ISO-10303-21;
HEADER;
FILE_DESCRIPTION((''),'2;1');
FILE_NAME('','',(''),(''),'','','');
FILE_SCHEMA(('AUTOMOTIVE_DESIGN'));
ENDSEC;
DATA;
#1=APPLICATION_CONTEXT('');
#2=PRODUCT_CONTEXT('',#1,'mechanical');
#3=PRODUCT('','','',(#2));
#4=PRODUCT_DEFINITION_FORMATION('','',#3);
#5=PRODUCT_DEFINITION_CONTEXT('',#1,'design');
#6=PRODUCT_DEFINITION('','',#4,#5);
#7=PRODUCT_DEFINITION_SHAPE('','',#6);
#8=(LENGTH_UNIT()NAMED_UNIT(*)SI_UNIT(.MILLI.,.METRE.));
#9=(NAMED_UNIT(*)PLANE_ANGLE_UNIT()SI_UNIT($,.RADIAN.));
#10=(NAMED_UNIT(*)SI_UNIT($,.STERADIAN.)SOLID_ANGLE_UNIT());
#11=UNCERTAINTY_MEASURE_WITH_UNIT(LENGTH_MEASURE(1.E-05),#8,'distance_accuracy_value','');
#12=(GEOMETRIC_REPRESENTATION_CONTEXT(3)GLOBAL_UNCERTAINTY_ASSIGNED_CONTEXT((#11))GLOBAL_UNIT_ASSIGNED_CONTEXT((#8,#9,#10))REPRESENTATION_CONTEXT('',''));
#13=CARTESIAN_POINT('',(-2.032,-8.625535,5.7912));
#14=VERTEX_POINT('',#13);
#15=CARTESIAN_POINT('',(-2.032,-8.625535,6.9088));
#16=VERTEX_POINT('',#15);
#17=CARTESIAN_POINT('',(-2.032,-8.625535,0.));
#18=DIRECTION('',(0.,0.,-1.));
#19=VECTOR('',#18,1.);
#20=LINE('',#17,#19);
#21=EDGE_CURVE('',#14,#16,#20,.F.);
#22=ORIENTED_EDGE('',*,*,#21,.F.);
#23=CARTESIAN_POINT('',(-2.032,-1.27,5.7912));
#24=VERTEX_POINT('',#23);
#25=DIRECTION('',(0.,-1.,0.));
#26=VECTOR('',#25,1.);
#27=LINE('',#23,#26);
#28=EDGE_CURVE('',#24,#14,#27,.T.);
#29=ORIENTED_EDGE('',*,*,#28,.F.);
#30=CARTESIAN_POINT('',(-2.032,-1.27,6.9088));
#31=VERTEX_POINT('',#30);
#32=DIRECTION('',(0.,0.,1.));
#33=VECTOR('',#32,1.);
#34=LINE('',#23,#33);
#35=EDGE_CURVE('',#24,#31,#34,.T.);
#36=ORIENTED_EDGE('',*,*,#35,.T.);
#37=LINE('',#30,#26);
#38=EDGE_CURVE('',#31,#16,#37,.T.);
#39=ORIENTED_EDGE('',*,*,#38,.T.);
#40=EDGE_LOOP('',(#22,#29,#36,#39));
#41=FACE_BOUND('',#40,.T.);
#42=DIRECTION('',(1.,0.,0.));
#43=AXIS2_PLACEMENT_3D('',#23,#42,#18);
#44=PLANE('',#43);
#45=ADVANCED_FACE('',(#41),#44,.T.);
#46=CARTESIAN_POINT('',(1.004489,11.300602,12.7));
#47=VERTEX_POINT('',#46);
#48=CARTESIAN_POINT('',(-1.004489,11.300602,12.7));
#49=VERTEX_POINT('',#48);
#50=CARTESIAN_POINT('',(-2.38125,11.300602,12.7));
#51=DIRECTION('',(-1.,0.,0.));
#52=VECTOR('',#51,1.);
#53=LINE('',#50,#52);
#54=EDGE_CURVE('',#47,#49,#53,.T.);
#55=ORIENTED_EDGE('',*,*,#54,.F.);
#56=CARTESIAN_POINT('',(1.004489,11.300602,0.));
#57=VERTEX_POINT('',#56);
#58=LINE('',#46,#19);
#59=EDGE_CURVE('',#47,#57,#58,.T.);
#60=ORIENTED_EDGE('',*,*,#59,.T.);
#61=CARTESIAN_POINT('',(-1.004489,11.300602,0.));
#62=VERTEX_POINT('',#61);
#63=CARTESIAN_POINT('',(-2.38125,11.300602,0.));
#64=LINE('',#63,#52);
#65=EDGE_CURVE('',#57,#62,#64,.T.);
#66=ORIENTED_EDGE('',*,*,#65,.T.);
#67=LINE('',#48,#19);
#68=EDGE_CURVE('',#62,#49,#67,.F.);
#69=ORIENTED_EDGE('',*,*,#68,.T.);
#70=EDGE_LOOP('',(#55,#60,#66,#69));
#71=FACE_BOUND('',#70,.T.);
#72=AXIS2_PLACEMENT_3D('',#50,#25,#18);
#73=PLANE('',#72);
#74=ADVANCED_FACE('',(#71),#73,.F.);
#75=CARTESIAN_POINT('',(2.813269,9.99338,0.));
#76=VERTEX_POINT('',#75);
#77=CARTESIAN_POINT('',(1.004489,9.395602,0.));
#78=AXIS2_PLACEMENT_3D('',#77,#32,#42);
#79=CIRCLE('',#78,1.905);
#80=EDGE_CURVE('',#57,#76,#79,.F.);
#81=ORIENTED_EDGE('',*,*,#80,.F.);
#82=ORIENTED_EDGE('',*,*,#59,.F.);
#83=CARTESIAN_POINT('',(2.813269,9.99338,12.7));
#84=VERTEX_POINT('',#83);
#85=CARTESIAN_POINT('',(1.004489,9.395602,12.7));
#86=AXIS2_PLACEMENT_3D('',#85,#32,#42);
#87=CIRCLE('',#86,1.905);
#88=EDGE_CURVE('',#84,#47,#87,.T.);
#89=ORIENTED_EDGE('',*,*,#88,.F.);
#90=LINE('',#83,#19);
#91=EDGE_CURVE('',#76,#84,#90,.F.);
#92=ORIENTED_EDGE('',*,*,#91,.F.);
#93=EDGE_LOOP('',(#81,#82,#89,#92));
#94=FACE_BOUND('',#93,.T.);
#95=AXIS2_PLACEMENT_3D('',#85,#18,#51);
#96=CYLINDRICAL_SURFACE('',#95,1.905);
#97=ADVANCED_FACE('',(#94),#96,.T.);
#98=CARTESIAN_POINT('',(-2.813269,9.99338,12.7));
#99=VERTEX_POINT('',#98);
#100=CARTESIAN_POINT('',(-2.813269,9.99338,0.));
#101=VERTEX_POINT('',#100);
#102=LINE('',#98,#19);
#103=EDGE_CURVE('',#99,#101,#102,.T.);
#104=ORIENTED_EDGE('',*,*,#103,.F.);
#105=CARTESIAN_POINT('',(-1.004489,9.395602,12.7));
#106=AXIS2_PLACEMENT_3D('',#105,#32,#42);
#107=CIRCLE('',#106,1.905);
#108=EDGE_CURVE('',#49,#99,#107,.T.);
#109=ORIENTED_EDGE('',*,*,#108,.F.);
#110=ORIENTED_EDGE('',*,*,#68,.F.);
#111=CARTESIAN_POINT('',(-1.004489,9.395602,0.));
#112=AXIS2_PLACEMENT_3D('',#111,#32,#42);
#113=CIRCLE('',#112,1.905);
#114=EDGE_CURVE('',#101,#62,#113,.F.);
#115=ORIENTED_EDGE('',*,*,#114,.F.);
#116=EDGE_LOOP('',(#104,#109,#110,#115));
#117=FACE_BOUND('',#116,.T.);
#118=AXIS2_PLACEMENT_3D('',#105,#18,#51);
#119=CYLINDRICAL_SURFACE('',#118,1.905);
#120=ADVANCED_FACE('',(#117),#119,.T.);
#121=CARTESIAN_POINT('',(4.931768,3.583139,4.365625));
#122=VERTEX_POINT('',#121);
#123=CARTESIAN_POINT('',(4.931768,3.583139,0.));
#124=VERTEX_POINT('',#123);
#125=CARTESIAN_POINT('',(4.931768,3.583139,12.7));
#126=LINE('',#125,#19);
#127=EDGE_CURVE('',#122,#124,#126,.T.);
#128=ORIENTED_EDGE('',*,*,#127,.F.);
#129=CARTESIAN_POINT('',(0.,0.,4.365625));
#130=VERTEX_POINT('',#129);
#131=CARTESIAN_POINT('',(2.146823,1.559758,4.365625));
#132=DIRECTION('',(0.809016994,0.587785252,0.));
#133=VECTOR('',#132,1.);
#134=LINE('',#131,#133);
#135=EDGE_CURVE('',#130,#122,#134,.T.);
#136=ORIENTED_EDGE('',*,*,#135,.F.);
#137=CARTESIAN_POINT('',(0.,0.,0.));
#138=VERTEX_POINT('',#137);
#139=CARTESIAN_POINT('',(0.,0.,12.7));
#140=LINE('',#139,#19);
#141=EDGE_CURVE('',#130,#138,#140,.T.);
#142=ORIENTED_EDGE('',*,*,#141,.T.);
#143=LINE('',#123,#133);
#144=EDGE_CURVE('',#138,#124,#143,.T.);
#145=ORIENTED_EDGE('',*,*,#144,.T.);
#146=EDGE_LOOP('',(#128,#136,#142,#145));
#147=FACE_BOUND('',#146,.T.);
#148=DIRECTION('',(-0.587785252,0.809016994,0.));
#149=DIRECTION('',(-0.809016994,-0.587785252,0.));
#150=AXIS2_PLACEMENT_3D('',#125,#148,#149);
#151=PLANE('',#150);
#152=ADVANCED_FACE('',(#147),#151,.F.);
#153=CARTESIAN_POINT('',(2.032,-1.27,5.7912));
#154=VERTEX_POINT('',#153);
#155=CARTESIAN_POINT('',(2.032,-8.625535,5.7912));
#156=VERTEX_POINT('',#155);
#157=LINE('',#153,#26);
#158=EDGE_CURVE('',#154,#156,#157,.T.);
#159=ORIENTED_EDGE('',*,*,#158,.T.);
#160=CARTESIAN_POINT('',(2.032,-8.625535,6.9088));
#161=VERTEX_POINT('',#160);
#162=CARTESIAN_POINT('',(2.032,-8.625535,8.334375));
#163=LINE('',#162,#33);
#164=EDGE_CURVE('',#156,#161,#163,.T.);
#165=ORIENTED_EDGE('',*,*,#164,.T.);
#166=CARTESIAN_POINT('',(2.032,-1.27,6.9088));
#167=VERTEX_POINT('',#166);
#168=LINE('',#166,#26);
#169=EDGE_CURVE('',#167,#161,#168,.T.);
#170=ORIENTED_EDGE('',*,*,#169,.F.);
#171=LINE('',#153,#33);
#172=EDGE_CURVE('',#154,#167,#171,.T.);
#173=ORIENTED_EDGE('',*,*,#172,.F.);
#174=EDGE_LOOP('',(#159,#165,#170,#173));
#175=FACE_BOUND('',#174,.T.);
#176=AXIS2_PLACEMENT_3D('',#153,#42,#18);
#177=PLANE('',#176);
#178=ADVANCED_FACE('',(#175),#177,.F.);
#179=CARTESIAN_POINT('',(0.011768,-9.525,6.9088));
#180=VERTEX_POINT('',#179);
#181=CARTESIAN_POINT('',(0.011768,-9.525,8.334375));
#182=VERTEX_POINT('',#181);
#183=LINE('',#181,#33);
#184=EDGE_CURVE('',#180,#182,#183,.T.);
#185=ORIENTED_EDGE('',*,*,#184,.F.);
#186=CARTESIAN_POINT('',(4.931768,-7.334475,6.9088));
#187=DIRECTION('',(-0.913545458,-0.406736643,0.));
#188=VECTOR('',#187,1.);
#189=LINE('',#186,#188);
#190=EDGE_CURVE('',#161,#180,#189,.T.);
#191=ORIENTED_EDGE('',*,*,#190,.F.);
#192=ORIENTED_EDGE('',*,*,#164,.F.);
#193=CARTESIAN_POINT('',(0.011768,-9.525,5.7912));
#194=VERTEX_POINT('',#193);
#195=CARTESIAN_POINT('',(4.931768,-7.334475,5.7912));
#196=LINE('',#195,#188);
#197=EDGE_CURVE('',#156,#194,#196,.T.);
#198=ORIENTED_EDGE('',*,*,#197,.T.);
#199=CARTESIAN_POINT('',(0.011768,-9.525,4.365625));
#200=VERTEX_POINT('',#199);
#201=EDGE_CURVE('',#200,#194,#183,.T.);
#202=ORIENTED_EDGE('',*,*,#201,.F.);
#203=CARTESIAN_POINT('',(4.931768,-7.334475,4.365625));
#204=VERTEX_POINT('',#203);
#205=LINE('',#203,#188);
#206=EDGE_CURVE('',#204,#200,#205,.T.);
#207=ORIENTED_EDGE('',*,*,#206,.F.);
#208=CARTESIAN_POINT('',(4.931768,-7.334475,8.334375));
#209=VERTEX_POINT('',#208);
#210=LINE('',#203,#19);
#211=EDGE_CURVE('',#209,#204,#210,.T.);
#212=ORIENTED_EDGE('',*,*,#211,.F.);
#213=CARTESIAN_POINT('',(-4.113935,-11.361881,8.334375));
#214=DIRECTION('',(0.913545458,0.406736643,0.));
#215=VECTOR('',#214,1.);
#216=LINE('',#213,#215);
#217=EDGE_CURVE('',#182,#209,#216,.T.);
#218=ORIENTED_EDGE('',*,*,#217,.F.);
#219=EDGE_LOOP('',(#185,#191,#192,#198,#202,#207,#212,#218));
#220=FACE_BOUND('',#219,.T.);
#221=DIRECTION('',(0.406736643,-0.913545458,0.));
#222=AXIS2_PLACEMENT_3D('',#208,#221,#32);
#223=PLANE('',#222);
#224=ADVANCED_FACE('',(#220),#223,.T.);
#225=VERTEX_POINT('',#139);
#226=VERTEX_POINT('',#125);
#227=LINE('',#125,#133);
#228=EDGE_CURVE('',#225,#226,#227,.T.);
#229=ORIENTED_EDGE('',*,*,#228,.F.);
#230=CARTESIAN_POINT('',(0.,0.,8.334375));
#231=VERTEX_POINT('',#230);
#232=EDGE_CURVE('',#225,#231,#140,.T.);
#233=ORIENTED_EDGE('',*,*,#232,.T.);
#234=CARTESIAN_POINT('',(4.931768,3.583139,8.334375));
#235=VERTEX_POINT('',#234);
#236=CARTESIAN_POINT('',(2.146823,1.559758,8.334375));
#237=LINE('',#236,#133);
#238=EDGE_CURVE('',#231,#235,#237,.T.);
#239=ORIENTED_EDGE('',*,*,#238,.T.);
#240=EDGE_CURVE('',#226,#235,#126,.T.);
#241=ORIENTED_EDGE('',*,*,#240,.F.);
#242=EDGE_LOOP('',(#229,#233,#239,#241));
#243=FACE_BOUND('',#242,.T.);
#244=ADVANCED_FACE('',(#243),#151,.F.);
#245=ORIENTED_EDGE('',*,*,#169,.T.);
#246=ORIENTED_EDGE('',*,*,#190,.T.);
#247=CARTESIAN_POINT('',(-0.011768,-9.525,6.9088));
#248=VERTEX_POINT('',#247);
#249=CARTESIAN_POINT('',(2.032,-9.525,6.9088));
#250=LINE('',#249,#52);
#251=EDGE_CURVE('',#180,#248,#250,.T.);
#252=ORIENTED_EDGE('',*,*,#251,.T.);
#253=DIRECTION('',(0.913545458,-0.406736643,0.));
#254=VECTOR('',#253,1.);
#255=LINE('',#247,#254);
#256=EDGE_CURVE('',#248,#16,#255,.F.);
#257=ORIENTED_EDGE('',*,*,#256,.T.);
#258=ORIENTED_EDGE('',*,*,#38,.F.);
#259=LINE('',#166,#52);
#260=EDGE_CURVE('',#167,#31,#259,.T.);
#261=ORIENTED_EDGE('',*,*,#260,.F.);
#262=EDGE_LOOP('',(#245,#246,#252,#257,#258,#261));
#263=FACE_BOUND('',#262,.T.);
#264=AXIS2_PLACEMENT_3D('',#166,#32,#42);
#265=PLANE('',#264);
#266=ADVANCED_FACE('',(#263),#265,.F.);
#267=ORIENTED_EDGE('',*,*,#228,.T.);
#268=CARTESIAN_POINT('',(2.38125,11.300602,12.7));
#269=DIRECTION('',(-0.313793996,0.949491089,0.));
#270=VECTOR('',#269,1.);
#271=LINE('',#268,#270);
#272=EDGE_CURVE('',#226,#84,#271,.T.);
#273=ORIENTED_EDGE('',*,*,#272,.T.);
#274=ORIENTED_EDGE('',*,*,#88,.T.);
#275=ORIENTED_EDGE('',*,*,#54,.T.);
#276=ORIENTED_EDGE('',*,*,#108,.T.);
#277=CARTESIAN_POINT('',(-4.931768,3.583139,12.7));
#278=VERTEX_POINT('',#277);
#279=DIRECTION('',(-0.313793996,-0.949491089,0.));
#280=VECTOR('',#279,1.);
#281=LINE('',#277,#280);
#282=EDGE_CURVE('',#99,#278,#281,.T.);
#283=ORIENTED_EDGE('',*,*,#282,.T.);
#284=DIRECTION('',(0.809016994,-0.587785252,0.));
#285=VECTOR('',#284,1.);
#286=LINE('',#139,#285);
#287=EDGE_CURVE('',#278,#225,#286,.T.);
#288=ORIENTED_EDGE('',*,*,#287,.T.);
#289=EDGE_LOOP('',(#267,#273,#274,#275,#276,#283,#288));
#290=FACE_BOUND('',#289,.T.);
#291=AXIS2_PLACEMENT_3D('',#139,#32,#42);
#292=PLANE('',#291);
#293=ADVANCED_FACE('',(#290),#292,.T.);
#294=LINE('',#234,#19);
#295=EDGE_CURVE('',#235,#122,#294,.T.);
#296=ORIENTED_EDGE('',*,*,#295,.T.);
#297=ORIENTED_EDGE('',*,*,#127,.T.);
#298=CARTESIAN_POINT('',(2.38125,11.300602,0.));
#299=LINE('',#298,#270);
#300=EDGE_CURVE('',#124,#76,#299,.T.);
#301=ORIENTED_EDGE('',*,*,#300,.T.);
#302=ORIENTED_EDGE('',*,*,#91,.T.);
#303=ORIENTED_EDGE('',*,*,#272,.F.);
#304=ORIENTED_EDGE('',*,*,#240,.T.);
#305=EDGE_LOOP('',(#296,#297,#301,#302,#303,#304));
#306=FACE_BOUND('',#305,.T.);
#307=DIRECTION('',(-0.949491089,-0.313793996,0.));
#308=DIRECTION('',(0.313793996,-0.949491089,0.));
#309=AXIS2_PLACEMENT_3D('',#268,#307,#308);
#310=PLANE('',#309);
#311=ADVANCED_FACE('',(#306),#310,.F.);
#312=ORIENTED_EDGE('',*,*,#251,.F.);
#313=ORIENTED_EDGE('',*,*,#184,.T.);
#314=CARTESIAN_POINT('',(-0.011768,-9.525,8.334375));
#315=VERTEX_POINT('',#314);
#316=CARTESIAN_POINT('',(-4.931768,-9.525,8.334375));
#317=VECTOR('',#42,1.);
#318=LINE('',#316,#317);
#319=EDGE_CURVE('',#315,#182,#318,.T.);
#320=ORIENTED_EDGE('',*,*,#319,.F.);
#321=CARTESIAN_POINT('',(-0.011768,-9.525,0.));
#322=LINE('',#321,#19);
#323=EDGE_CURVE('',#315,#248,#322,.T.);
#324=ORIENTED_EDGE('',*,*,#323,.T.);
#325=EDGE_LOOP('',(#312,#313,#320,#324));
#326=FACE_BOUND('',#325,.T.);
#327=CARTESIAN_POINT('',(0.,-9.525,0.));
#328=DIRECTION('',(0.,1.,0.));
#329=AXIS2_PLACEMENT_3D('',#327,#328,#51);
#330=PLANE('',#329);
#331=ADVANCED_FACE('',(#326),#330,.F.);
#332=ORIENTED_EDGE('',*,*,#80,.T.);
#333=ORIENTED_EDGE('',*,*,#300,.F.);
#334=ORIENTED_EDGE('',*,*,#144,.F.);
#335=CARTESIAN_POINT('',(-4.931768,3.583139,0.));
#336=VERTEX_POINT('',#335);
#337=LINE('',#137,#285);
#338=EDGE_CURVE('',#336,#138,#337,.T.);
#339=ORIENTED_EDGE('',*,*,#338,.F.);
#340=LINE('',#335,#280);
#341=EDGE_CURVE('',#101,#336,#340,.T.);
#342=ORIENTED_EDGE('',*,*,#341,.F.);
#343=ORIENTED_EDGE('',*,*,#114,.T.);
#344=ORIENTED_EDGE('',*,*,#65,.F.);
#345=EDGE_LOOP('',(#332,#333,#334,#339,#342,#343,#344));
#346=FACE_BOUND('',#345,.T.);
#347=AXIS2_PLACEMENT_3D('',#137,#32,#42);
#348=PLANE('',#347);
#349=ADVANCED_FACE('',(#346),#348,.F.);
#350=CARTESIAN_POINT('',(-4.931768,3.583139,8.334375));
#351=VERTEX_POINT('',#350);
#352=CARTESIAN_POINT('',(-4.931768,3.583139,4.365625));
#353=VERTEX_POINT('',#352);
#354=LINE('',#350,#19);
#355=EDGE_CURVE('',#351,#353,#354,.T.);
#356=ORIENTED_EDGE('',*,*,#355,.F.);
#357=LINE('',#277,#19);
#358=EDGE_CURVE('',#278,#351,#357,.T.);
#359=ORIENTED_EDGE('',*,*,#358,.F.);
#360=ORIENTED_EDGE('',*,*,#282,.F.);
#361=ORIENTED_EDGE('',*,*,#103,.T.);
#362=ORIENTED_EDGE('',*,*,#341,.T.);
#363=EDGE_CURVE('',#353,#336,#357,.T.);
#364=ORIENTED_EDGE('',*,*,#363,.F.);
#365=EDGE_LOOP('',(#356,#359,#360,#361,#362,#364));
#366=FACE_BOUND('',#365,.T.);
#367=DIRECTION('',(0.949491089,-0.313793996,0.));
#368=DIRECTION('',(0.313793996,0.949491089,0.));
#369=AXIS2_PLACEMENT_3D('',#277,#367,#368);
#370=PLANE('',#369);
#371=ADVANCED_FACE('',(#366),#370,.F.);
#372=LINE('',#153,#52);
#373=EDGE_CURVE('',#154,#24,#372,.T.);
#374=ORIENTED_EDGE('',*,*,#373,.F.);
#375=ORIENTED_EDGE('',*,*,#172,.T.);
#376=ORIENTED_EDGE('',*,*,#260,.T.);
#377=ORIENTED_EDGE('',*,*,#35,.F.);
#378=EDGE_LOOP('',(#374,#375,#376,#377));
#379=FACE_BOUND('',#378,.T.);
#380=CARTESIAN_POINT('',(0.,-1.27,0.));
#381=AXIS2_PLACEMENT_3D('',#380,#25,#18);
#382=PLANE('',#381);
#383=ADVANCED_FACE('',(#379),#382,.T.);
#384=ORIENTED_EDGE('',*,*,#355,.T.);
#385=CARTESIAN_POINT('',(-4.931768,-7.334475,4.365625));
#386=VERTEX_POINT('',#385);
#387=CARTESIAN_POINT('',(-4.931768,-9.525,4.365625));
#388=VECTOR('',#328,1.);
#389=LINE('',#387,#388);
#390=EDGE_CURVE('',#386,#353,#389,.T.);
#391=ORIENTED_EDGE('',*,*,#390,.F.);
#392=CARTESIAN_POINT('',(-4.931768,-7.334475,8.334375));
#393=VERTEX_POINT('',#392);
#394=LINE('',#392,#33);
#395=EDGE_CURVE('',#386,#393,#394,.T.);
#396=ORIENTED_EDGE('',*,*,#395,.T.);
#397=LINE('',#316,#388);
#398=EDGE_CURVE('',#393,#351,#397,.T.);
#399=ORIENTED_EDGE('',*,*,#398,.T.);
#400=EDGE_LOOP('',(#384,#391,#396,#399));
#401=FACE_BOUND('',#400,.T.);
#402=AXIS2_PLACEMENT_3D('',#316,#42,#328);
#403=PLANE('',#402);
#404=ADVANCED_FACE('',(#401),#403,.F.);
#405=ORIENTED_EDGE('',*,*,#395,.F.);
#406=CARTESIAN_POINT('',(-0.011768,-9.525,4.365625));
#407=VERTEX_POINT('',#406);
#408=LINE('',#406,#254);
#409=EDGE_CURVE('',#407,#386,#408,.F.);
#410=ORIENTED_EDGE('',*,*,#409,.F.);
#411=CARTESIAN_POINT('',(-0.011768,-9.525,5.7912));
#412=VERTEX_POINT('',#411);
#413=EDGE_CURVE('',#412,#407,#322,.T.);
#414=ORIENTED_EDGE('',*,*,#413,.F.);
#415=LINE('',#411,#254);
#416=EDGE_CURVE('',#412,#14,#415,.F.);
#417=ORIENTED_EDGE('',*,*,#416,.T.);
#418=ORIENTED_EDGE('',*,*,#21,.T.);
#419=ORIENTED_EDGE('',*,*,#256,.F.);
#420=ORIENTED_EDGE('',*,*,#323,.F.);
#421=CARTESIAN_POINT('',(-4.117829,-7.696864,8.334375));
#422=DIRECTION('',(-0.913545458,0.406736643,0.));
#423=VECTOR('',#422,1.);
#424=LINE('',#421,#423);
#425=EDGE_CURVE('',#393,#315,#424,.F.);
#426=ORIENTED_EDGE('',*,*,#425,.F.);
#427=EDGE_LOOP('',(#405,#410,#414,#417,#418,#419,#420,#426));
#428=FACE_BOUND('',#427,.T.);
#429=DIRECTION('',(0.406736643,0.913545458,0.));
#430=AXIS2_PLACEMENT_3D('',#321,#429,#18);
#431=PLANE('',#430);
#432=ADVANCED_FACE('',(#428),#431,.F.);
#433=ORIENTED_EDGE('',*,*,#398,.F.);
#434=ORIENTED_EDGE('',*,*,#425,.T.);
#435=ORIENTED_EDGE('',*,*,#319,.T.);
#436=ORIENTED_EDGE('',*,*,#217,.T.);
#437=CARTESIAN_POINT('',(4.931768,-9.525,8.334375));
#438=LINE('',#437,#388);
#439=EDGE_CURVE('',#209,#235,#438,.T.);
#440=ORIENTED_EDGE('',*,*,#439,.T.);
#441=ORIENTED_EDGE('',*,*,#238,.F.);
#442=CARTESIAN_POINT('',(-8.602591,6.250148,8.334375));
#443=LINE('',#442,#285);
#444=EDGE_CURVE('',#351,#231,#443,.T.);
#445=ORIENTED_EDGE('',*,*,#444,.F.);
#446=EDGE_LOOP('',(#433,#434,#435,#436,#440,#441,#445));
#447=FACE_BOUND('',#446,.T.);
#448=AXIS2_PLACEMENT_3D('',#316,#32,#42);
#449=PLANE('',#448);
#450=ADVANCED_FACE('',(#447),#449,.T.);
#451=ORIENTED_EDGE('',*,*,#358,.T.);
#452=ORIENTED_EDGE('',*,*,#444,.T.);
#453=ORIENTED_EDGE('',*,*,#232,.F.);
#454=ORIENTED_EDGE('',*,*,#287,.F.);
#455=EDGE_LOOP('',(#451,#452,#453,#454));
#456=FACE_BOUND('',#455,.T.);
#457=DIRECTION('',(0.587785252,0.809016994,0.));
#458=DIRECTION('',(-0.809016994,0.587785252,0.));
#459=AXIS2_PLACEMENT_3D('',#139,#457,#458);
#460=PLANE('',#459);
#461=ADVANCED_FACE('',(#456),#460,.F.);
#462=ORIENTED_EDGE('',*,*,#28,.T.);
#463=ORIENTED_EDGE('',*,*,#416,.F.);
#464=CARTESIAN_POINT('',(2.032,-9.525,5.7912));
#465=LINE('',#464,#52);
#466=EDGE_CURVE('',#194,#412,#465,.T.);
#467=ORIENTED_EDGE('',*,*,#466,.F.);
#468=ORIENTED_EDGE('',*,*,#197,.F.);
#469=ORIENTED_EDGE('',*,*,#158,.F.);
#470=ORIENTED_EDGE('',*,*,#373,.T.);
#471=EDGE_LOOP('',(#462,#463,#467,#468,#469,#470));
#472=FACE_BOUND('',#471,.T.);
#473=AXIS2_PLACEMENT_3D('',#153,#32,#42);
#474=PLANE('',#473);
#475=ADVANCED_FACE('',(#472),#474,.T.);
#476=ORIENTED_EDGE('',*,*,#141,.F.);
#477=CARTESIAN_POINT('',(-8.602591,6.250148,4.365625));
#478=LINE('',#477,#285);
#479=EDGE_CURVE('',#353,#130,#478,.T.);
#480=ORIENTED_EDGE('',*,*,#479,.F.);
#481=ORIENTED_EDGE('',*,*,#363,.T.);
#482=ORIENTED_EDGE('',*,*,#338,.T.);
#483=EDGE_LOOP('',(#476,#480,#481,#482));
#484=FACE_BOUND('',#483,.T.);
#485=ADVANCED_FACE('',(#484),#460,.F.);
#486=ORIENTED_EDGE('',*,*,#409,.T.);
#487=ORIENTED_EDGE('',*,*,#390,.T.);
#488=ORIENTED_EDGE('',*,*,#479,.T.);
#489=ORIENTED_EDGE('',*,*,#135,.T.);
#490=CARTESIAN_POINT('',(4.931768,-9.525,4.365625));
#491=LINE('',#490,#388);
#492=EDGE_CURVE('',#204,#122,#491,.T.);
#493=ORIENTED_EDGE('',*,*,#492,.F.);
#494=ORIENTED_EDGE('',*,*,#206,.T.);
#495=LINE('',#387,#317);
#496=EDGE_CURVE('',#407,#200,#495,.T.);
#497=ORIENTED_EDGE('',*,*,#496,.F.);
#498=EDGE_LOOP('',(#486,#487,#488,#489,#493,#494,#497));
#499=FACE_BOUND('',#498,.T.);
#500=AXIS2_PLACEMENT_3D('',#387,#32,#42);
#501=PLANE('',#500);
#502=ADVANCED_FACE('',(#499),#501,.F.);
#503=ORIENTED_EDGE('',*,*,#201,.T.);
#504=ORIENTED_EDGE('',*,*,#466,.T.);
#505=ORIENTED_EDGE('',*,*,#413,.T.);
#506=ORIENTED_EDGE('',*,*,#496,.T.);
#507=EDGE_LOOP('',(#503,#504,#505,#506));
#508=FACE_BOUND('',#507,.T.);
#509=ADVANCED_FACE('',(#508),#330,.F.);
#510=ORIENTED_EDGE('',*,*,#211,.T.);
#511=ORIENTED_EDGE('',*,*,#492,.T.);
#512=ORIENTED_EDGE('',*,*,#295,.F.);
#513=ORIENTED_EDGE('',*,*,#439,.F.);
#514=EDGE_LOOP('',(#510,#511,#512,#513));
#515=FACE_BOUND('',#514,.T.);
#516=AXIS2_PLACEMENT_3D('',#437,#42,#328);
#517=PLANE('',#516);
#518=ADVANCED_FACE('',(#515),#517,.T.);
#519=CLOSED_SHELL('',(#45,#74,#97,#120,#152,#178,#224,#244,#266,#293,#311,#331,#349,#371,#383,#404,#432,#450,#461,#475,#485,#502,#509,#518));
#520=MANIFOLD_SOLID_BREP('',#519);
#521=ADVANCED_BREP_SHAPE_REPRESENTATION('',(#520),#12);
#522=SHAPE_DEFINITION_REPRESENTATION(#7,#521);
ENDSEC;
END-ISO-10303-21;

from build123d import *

# Parameters (mm, degrees)
BOSS_EXTRUDE1_DEPTH = 12.7
BOSS_EXTRUDE2_START = -3.583139
SKETCH3_W           = 9.863535196
SKETCH3_H           = 3.96875
BOSS_EXTRUDE2_DEPTH = 13.108139
FILLET1_R           = 1.905
CHAMFER1_SIZE       = 4.92
CHAMFER1_SIZE2      = 2.190525132
SKETCH5_W           = 4.064
SKETCH5_H           = 1.1176
CUT_EXTRUDE2_DEPTH  = 8.255


with BuildPart() as part:
    # Sketch1 → Boss-Extrude1 (new body)
    with BuildSketch(Plane.XY):
        Polygon((0, 0), (-4.931767598, 3.583138898), (-2.38125, 11.30060247), (2.38125, 11.30060247), (4.931767598, 3.583138898), align=None)
    extrude(amount=BOSS_EXTRUDE1_DEPTH)

    # Sketch3 → Boss-Extrude2 (add)
    with BuildSketch(Plane(origin=(0, 0, 0), x_dir=(-1, 0, 0), z_dir=(0, -1, 0)).offset(BOSS_EXTRUDE2_START)):
        with Locations((0, -6.35)):
            Rectangle(SKETCH3_W, SKETCH3_H)
    extrude(amount=BOSS_EXTRUDE2_DEPTH)

    # Fillet1
    fillet1_edges = [part.edges().sort_by_distance(p)[0] for p in [
        (-2.38125, 11.30060247, 6.35),
        (2.38125, 11.30060247, 6.35),
    ]]
    fillet(fillet1_edges, radius=FILLET1_R)

    # Chamfer1
    chamfer1_edges = [part.edges().sort_by_distance(p)[0] for p in [
        (4.931767598, -9.525, 6.35),
        (-4.931767598, -9.525, 6.35),
    ]]
    chamfer1_side = [part.faces().sort_by_distance(p)[0] for p in [
        (0, -9.525, 6.35),
    ]]
    chamfer(chamfer1_edges, length=CHAMFER1_SIZE, length2=CHAMFER1_SIZE2, reference=chamfer1_side[0])

    # Sketch5 → Cut-Extrude2 (cut)
    with BuildSketch(Plane(origin=(0, -9.525, 0), x_dir=(-1, 0, 0), z_dir=(0, -1, 0))):
        with Locations((0, -6.35)):
            Rectangle(SKETCH5_W, SKETCH5_H)
    extrude(amount=-CUT_EXTRUDE2_DEPTH, mode=Mode.SUBTRACT)


solid = part.part
